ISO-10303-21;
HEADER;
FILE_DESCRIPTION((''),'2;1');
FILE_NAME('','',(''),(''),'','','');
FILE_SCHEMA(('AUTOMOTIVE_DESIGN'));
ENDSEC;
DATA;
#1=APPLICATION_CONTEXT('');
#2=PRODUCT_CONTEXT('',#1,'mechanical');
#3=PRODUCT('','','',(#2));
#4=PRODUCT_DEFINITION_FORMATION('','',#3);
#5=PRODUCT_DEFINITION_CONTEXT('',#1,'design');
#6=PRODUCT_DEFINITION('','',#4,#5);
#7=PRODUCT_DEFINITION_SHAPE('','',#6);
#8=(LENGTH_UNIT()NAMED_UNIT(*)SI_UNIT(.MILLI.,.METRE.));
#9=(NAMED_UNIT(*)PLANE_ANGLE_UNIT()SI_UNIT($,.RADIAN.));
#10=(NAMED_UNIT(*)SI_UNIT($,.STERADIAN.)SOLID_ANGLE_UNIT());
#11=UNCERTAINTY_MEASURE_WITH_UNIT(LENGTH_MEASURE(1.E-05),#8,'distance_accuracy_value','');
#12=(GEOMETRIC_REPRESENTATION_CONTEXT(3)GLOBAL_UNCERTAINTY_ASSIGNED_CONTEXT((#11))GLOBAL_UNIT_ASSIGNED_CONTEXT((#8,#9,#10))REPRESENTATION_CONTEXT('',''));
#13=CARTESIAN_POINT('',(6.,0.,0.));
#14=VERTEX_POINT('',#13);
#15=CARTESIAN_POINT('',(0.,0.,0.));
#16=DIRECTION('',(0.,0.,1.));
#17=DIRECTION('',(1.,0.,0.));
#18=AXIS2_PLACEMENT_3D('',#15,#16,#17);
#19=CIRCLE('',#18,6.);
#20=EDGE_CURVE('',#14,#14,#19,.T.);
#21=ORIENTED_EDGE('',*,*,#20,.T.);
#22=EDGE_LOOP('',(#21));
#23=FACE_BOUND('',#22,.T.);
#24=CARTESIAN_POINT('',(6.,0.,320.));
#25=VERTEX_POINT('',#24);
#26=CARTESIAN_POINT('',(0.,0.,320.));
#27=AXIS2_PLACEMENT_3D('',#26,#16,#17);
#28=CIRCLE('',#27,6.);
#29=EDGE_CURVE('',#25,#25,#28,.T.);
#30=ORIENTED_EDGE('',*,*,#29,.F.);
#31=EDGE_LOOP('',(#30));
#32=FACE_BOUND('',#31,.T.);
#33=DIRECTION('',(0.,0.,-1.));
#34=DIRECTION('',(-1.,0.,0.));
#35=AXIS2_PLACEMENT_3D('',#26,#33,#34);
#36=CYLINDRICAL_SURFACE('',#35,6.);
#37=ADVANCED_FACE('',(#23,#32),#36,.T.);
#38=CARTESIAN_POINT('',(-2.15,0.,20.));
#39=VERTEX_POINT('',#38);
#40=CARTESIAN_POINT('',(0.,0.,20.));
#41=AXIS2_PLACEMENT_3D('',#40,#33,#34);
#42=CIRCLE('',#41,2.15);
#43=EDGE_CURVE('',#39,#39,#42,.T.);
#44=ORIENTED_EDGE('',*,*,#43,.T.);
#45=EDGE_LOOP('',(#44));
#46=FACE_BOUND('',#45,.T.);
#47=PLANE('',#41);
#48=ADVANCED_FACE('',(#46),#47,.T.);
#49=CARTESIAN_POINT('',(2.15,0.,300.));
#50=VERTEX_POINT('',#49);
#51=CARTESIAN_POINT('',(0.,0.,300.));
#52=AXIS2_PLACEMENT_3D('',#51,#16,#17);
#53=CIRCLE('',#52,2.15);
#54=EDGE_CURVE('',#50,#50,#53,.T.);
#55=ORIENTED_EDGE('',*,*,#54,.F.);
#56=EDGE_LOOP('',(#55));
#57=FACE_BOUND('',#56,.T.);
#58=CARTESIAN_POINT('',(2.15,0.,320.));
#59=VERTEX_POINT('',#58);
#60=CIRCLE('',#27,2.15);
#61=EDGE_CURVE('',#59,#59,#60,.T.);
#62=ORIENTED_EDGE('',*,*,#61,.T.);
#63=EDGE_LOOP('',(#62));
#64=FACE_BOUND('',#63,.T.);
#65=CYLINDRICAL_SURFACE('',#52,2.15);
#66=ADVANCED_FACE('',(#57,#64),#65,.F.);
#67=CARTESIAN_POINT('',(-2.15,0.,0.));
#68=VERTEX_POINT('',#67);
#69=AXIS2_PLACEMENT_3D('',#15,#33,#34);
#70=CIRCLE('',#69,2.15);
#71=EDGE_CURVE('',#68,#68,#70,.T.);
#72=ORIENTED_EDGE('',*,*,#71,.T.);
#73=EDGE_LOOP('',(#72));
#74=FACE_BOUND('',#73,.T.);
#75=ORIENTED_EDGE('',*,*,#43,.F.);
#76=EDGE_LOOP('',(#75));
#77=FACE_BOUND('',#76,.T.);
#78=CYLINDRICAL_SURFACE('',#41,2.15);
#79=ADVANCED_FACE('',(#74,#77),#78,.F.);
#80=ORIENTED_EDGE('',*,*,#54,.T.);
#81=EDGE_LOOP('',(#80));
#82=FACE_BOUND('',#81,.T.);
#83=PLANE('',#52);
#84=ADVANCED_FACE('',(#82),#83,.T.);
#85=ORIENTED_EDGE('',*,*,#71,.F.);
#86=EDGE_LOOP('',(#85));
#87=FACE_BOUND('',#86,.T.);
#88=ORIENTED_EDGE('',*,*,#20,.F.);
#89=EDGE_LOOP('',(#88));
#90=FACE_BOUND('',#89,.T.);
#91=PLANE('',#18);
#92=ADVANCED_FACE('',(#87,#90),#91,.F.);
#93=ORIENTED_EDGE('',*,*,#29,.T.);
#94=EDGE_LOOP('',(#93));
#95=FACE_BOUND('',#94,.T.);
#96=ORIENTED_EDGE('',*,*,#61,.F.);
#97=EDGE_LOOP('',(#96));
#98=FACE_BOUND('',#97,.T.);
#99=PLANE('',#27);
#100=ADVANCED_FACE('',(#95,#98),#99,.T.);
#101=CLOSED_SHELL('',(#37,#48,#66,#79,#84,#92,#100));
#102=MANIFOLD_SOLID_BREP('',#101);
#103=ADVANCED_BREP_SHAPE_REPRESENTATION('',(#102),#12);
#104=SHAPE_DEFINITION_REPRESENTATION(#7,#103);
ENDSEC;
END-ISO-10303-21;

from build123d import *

# Parameters (mm, degrees)
SKETCH1_R           = 6
BOSS_EXTRUDE1_DEPTH = 320
SKETCH2_R           = 2.15
CUT_EXTRUDE1_DEPTH  = 20
SKETCH3_R           = 2.15
CUT_EXTRUDE2_DEPTH  = 20


with BuildPart() as part:
    # Sketch1 → Boss-Extrude1 (new body)
    with BuildSketch(Plane.XY):
        Circle(SKETCH1_R)
    extrude(amount=BOSS_EXTRUDE1_DEPTH)

    # Sketch2 → Cut-Extrude1 (cut)
    with BuildSketch(Plane.XY.offset(320)):
        Circle(SKETCH2_R)
    extrude(amount=-CUT_EXTRUDE1_DEPTH, mode=Mode.SUBTRACT)

    # Sketch3 → Cut-Extrude2 (cut)
    with BuildSketch(Plane(origin=(0, 0, 0), x_dir=(-1, 0, 0), z_dir=(0, 0, -1))):
        Circle(SKETCH3_R)
    extrude(amount=-CUT_EXTRUDE2_DEPTH, mode=Mode.SUBTRACT)


solid = part.part
